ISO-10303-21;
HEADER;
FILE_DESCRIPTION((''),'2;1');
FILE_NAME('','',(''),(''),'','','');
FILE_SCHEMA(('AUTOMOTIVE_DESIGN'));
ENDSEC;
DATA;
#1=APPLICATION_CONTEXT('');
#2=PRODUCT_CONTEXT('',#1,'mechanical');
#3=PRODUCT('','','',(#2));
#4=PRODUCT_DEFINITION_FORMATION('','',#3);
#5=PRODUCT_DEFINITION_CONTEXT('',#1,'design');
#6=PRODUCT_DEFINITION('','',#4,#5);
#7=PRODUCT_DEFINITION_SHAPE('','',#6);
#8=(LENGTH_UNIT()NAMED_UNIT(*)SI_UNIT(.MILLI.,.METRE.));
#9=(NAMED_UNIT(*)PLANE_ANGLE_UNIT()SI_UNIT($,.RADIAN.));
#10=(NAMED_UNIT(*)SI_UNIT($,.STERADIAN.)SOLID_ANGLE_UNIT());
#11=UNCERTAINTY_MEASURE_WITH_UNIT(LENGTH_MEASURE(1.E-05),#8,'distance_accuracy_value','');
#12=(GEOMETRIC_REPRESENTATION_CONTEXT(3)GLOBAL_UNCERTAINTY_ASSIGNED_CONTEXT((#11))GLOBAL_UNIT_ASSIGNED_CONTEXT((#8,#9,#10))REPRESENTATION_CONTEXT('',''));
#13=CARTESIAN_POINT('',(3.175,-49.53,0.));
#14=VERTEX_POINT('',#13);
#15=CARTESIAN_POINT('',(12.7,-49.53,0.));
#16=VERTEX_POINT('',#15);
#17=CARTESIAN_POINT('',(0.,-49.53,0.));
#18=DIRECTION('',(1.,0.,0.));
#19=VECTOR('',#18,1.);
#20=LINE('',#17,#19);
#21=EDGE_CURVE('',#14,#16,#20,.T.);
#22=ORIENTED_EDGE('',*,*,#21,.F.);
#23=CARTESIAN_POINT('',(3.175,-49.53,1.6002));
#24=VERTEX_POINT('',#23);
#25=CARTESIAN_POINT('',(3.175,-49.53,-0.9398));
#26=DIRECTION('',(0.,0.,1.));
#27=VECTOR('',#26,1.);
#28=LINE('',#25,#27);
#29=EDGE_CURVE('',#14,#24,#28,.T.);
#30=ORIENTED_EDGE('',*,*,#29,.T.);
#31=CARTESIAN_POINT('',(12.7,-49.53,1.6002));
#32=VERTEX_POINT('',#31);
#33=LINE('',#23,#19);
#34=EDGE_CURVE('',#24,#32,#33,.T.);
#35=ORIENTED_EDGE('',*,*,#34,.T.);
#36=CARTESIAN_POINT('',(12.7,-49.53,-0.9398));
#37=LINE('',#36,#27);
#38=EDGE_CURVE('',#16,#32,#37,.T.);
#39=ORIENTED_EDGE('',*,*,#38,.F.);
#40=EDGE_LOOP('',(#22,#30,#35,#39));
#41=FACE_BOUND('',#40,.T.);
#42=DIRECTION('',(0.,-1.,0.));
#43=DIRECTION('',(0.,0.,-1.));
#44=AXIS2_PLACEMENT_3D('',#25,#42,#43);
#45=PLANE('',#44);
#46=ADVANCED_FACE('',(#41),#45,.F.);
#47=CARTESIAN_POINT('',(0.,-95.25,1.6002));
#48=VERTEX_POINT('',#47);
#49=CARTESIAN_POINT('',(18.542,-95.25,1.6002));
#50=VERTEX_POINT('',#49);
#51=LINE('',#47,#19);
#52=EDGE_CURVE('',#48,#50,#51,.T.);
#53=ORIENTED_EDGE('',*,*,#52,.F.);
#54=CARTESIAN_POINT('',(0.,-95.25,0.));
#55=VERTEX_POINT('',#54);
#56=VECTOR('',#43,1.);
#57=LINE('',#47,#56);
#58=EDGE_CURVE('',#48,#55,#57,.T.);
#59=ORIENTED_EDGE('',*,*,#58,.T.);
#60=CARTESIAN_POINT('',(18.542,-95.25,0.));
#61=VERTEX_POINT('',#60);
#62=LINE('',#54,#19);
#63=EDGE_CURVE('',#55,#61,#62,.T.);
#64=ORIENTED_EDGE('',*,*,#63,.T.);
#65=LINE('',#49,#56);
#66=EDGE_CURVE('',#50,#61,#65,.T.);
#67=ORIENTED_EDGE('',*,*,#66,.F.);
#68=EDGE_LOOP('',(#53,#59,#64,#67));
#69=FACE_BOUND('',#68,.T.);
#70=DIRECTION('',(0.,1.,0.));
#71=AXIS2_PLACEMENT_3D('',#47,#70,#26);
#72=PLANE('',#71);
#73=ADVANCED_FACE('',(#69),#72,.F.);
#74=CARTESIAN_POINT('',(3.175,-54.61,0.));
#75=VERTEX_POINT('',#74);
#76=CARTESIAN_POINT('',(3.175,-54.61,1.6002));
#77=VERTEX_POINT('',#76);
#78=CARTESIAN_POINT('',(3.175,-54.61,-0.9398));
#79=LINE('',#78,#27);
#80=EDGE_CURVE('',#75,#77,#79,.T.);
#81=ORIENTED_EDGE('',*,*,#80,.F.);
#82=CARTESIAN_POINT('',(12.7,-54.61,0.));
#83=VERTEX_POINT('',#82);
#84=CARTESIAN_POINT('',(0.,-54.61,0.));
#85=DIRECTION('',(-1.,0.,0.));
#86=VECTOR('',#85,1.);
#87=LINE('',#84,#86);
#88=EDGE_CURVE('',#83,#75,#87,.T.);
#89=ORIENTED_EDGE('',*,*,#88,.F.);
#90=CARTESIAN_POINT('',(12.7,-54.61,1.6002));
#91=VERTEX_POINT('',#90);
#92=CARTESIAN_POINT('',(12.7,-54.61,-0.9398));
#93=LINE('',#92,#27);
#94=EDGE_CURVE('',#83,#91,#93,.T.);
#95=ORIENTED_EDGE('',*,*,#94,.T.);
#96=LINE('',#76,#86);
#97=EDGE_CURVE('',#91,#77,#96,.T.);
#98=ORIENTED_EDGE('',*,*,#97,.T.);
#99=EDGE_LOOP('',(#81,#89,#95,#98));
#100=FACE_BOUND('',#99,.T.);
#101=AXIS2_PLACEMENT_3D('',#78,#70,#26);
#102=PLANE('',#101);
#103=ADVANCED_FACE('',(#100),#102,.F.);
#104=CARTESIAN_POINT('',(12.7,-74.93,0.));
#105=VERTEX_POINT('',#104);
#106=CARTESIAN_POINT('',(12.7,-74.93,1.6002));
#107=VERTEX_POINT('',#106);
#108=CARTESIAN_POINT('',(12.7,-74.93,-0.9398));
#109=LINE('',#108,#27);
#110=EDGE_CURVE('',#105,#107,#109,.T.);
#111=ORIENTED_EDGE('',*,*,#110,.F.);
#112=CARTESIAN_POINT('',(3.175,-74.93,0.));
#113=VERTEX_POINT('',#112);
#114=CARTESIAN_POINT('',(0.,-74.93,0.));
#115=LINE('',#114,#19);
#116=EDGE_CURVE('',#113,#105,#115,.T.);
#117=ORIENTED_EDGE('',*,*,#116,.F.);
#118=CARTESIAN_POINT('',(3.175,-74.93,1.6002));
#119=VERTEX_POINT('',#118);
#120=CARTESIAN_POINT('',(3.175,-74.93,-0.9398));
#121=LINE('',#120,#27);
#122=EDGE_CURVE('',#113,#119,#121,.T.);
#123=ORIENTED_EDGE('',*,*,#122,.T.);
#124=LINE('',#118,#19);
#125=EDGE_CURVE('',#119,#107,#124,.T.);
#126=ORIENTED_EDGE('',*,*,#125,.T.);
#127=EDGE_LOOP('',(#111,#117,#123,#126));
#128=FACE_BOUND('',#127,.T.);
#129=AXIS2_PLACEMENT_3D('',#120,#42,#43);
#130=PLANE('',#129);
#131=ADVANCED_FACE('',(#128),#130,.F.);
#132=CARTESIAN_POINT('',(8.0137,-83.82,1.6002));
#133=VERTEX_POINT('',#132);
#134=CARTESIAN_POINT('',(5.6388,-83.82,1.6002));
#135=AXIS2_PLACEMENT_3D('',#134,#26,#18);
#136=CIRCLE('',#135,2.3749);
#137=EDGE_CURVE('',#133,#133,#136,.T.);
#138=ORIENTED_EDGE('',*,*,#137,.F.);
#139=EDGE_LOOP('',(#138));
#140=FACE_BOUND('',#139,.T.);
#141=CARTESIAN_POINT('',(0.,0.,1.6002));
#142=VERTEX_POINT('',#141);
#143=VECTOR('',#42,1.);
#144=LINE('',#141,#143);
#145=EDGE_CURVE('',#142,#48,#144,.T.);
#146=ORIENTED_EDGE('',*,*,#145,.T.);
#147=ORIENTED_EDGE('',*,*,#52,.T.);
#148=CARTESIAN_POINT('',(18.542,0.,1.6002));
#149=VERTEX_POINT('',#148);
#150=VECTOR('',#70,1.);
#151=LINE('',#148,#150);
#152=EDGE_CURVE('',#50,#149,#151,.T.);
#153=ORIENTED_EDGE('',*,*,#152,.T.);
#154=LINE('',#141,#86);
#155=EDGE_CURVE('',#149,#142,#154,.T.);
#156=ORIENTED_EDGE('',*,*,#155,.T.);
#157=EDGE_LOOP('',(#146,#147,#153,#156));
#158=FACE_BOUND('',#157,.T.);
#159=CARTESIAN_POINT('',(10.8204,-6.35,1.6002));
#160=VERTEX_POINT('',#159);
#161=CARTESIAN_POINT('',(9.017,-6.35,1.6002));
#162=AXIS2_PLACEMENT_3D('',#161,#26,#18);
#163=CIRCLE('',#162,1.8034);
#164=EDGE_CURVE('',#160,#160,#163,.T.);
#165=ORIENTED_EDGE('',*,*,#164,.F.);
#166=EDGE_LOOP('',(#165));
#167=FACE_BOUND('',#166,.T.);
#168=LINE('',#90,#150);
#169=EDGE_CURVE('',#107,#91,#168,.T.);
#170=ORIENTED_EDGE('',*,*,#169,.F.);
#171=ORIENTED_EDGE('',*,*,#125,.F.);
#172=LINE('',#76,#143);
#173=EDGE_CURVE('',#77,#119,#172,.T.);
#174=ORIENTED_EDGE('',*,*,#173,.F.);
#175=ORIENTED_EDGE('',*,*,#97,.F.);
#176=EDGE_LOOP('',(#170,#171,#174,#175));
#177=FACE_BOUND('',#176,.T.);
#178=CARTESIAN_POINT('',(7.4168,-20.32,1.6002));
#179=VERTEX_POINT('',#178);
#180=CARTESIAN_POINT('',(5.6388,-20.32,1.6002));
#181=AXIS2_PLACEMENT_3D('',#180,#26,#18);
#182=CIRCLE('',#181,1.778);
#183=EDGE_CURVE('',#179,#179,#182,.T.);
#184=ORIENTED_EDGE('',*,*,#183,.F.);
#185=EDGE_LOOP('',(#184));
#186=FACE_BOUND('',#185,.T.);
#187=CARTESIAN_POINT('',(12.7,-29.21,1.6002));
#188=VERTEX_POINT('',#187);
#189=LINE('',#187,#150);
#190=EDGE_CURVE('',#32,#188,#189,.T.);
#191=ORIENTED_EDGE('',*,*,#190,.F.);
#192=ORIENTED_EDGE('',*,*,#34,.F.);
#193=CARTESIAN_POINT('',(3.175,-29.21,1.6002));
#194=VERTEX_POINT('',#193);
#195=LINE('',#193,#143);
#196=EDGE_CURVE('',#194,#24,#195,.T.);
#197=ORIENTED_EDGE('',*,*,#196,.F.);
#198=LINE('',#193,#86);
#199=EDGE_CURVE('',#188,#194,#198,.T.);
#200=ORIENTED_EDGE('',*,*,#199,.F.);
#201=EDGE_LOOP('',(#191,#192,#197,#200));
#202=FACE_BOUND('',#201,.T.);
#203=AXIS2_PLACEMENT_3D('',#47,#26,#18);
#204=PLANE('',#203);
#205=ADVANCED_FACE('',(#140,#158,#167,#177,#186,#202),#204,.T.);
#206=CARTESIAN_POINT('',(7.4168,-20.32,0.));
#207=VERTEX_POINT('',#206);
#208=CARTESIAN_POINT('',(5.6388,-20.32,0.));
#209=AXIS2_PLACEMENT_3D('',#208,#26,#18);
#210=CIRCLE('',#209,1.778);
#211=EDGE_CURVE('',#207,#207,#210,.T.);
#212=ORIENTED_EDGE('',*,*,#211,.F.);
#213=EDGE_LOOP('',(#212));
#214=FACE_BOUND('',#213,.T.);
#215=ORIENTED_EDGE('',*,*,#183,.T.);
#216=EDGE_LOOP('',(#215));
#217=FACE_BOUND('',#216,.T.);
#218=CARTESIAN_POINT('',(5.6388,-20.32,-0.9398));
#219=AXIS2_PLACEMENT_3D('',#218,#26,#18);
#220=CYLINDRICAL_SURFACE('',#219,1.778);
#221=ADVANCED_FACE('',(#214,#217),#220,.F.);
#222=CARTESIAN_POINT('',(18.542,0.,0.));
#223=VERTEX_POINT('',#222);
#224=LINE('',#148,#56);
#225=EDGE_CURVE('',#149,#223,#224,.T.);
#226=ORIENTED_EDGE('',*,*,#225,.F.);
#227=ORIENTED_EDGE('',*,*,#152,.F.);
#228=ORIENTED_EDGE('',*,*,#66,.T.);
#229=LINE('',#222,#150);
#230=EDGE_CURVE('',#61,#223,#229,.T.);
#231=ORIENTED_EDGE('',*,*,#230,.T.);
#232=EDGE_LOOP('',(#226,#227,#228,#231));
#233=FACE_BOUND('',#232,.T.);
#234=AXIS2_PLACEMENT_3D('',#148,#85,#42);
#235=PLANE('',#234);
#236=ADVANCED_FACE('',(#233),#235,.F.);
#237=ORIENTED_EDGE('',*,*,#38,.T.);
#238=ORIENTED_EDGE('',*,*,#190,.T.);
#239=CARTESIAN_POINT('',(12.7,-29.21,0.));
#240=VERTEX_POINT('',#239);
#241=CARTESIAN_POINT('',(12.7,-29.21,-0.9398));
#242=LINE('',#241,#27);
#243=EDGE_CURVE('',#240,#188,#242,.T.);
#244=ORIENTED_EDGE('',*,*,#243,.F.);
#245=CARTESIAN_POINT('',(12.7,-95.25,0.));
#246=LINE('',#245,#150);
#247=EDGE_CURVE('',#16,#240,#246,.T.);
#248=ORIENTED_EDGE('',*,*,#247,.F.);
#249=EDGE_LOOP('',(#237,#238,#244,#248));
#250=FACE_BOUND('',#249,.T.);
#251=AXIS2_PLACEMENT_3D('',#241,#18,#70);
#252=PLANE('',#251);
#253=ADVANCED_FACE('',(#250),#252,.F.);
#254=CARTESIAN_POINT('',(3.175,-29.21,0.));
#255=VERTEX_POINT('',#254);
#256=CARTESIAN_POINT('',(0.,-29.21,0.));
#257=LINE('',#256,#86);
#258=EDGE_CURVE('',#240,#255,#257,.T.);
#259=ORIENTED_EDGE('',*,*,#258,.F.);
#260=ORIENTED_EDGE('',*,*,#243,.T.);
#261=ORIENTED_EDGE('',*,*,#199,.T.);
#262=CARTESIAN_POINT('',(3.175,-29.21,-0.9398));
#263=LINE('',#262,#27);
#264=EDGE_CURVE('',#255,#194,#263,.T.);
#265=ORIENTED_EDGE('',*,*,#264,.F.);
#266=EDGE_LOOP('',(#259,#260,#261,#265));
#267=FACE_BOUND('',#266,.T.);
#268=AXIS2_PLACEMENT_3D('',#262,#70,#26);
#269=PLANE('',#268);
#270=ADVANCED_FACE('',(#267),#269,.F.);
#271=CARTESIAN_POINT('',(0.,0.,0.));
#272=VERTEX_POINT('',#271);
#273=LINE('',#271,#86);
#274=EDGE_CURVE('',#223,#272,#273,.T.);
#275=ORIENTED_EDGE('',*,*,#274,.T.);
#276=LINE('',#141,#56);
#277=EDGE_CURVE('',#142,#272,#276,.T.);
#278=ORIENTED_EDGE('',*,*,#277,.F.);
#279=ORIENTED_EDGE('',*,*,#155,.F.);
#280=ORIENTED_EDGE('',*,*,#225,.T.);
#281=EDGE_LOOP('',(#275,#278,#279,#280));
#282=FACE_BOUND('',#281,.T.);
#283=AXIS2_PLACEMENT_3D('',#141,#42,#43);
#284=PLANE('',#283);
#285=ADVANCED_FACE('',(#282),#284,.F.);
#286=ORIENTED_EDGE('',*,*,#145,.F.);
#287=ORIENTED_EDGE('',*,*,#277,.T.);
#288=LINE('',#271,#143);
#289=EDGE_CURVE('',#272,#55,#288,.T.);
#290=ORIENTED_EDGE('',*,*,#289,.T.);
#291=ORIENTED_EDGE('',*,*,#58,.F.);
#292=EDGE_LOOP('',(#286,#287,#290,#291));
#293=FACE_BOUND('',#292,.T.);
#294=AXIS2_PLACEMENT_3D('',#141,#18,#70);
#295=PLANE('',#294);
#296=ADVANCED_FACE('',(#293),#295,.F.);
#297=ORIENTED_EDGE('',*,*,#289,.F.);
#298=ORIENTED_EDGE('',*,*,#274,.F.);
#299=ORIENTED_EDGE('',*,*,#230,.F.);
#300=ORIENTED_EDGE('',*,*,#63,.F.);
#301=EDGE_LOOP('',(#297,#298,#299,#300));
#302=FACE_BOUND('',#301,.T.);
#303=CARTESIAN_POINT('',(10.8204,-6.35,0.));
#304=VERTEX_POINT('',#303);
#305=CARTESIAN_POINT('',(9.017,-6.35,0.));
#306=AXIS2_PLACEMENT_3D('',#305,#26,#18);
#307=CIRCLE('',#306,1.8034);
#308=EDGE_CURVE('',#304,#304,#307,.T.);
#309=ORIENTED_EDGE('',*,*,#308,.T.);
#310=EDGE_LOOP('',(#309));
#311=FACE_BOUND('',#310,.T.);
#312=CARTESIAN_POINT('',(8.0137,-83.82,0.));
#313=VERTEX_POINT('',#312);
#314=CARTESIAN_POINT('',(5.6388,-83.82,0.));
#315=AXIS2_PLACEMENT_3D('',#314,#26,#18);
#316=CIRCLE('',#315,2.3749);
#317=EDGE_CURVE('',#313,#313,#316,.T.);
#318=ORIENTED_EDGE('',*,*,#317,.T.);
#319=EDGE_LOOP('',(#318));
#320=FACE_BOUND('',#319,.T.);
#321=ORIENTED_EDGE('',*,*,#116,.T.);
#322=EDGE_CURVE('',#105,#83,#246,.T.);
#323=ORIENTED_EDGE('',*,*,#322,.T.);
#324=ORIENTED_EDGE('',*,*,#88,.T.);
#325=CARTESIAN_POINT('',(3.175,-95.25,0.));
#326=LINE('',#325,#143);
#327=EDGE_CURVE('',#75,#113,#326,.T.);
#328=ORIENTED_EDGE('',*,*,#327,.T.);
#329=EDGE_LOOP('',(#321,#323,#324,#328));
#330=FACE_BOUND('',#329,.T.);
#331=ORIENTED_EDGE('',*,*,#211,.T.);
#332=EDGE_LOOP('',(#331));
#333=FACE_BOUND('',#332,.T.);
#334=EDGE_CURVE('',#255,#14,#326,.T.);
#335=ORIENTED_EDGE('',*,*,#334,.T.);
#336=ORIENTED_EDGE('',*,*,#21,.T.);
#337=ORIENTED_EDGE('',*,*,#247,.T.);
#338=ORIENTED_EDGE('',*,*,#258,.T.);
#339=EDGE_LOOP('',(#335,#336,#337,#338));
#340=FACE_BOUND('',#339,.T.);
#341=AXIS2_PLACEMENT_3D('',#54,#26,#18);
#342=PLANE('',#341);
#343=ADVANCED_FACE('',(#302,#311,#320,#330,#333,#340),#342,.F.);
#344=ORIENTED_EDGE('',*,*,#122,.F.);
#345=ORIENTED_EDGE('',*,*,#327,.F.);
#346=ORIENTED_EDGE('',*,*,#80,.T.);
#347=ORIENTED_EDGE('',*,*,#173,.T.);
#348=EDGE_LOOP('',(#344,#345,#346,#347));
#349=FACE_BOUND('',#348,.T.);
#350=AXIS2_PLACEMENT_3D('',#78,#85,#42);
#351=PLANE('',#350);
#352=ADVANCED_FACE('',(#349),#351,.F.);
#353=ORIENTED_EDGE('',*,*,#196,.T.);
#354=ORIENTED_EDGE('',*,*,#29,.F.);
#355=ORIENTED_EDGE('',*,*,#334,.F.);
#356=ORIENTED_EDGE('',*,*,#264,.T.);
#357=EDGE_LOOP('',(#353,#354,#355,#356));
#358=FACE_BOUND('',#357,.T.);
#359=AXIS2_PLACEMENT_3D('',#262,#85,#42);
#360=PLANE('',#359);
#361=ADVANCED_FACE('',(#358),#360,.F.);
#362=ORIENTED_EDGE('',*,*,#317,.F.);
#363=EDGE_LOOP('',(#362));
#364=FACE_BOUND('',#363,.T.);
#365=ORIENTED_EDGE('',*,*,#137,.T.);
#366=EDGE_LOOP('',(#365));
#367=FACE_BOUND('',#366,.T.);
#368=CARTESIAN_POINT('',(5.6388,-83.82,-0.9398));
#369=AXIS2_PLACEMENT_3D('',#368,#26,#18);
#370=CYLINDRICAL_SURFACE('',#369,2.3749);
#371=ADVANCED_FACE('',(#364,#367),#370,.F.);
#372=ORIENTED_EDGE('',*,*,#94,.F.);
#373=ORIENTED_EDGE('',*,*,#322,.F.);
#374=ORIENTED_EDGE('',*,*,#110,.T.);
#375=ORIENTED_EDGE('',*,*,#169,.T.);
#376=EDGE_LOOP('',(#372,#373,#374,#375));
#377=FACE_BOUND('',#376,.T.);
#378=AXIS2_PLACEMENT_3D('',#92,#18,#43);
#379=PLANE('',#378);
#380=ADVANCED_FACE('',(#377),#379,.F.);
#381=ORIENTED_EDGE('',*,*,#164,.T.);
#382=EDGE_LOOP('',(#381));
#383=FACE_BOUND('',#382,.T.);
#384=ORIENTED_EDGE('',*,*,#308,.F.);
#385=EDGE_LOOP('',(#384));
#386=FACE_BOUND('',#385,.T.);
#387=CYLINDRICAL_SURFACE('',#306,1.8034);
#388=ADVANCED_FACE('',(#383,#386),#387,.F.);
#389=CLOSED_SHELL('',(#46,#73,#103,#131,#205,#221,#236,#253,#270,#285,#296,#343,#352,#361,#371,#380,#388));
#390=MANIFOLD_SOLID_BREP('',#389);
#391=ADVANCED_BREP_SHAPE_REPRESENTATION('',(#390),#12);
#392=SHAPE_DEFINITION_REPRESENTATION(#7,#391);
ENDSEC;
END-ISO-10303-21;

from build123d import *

# Parameters (mm, degrees)
SKETCH1_W          = 18.542
SKETCH1_H          = 95.25
EXTRUDE1_DEPTH     = 1.6002
SKETCH2_R          = 1.8034
CUT_EXTRUDE1_DEPTH = 1.6002
SKETCH3_R          = 1.778
SKETCH3_R_2        = 2.3749
CUT_EXTRUDE2_DEPTH = 2.54
SKETCH4_W          = 9.525
SKETCH4_H          = 20.32
FIBER_HOLES_DEPTH  = 2.54


with BuildPart() as part:
    # Sketch1 → Extrude1 (new body)
    with BuildSketch(Plane.XY):
        with Locations((9.271, -47.625)):
            Rectangle(SKETCH1_W, SKETCH1_H)
    extrude(amount=EXTRUDE1_DEPTH)

    # Sketch2 → Cut-Extrude1 (cut)
    with BuildSketch(Plane.XY.offset(1.6002)):
        with Locations((9.017, -6.35)):
            Circle(SKETCH2_R)
    extrude(amount=-CUT_EXTRUDE1_DEPTH, mode=Mode.SUBTRACT)

    # Sketch3 → Cut-Extrude2 (cut)
    with BuildSketch(Plane.XY.offset(1.6002)):
        with Locations((5.6388, -20.32)):
            Circle(SKETCH3_R)
        with Locations((5.6388, -83.82)):
            Circle(SKETCH3_R_2)
    extrude(amount=-CUT_EXTRUDE2_DEPTH, mode=Mode.SUBTRACT)

    # Sketch4 → Fiber Holes (cut)
    with BuildSketch(Plane.XY.offset(1.6002)):
        with Locations((7.9375, -39.37)):
            Rectangle(SKETCH4_W, SKETCH4_H)
        with Locations((7.9375, -64.77)):
            Rectangle(SKETCH4_W, SKETCH4_H)
    extrude(amount=-FIBER_HOLES_DEPTH, mode=Mode.SUBTRACT)


solid = part.part
